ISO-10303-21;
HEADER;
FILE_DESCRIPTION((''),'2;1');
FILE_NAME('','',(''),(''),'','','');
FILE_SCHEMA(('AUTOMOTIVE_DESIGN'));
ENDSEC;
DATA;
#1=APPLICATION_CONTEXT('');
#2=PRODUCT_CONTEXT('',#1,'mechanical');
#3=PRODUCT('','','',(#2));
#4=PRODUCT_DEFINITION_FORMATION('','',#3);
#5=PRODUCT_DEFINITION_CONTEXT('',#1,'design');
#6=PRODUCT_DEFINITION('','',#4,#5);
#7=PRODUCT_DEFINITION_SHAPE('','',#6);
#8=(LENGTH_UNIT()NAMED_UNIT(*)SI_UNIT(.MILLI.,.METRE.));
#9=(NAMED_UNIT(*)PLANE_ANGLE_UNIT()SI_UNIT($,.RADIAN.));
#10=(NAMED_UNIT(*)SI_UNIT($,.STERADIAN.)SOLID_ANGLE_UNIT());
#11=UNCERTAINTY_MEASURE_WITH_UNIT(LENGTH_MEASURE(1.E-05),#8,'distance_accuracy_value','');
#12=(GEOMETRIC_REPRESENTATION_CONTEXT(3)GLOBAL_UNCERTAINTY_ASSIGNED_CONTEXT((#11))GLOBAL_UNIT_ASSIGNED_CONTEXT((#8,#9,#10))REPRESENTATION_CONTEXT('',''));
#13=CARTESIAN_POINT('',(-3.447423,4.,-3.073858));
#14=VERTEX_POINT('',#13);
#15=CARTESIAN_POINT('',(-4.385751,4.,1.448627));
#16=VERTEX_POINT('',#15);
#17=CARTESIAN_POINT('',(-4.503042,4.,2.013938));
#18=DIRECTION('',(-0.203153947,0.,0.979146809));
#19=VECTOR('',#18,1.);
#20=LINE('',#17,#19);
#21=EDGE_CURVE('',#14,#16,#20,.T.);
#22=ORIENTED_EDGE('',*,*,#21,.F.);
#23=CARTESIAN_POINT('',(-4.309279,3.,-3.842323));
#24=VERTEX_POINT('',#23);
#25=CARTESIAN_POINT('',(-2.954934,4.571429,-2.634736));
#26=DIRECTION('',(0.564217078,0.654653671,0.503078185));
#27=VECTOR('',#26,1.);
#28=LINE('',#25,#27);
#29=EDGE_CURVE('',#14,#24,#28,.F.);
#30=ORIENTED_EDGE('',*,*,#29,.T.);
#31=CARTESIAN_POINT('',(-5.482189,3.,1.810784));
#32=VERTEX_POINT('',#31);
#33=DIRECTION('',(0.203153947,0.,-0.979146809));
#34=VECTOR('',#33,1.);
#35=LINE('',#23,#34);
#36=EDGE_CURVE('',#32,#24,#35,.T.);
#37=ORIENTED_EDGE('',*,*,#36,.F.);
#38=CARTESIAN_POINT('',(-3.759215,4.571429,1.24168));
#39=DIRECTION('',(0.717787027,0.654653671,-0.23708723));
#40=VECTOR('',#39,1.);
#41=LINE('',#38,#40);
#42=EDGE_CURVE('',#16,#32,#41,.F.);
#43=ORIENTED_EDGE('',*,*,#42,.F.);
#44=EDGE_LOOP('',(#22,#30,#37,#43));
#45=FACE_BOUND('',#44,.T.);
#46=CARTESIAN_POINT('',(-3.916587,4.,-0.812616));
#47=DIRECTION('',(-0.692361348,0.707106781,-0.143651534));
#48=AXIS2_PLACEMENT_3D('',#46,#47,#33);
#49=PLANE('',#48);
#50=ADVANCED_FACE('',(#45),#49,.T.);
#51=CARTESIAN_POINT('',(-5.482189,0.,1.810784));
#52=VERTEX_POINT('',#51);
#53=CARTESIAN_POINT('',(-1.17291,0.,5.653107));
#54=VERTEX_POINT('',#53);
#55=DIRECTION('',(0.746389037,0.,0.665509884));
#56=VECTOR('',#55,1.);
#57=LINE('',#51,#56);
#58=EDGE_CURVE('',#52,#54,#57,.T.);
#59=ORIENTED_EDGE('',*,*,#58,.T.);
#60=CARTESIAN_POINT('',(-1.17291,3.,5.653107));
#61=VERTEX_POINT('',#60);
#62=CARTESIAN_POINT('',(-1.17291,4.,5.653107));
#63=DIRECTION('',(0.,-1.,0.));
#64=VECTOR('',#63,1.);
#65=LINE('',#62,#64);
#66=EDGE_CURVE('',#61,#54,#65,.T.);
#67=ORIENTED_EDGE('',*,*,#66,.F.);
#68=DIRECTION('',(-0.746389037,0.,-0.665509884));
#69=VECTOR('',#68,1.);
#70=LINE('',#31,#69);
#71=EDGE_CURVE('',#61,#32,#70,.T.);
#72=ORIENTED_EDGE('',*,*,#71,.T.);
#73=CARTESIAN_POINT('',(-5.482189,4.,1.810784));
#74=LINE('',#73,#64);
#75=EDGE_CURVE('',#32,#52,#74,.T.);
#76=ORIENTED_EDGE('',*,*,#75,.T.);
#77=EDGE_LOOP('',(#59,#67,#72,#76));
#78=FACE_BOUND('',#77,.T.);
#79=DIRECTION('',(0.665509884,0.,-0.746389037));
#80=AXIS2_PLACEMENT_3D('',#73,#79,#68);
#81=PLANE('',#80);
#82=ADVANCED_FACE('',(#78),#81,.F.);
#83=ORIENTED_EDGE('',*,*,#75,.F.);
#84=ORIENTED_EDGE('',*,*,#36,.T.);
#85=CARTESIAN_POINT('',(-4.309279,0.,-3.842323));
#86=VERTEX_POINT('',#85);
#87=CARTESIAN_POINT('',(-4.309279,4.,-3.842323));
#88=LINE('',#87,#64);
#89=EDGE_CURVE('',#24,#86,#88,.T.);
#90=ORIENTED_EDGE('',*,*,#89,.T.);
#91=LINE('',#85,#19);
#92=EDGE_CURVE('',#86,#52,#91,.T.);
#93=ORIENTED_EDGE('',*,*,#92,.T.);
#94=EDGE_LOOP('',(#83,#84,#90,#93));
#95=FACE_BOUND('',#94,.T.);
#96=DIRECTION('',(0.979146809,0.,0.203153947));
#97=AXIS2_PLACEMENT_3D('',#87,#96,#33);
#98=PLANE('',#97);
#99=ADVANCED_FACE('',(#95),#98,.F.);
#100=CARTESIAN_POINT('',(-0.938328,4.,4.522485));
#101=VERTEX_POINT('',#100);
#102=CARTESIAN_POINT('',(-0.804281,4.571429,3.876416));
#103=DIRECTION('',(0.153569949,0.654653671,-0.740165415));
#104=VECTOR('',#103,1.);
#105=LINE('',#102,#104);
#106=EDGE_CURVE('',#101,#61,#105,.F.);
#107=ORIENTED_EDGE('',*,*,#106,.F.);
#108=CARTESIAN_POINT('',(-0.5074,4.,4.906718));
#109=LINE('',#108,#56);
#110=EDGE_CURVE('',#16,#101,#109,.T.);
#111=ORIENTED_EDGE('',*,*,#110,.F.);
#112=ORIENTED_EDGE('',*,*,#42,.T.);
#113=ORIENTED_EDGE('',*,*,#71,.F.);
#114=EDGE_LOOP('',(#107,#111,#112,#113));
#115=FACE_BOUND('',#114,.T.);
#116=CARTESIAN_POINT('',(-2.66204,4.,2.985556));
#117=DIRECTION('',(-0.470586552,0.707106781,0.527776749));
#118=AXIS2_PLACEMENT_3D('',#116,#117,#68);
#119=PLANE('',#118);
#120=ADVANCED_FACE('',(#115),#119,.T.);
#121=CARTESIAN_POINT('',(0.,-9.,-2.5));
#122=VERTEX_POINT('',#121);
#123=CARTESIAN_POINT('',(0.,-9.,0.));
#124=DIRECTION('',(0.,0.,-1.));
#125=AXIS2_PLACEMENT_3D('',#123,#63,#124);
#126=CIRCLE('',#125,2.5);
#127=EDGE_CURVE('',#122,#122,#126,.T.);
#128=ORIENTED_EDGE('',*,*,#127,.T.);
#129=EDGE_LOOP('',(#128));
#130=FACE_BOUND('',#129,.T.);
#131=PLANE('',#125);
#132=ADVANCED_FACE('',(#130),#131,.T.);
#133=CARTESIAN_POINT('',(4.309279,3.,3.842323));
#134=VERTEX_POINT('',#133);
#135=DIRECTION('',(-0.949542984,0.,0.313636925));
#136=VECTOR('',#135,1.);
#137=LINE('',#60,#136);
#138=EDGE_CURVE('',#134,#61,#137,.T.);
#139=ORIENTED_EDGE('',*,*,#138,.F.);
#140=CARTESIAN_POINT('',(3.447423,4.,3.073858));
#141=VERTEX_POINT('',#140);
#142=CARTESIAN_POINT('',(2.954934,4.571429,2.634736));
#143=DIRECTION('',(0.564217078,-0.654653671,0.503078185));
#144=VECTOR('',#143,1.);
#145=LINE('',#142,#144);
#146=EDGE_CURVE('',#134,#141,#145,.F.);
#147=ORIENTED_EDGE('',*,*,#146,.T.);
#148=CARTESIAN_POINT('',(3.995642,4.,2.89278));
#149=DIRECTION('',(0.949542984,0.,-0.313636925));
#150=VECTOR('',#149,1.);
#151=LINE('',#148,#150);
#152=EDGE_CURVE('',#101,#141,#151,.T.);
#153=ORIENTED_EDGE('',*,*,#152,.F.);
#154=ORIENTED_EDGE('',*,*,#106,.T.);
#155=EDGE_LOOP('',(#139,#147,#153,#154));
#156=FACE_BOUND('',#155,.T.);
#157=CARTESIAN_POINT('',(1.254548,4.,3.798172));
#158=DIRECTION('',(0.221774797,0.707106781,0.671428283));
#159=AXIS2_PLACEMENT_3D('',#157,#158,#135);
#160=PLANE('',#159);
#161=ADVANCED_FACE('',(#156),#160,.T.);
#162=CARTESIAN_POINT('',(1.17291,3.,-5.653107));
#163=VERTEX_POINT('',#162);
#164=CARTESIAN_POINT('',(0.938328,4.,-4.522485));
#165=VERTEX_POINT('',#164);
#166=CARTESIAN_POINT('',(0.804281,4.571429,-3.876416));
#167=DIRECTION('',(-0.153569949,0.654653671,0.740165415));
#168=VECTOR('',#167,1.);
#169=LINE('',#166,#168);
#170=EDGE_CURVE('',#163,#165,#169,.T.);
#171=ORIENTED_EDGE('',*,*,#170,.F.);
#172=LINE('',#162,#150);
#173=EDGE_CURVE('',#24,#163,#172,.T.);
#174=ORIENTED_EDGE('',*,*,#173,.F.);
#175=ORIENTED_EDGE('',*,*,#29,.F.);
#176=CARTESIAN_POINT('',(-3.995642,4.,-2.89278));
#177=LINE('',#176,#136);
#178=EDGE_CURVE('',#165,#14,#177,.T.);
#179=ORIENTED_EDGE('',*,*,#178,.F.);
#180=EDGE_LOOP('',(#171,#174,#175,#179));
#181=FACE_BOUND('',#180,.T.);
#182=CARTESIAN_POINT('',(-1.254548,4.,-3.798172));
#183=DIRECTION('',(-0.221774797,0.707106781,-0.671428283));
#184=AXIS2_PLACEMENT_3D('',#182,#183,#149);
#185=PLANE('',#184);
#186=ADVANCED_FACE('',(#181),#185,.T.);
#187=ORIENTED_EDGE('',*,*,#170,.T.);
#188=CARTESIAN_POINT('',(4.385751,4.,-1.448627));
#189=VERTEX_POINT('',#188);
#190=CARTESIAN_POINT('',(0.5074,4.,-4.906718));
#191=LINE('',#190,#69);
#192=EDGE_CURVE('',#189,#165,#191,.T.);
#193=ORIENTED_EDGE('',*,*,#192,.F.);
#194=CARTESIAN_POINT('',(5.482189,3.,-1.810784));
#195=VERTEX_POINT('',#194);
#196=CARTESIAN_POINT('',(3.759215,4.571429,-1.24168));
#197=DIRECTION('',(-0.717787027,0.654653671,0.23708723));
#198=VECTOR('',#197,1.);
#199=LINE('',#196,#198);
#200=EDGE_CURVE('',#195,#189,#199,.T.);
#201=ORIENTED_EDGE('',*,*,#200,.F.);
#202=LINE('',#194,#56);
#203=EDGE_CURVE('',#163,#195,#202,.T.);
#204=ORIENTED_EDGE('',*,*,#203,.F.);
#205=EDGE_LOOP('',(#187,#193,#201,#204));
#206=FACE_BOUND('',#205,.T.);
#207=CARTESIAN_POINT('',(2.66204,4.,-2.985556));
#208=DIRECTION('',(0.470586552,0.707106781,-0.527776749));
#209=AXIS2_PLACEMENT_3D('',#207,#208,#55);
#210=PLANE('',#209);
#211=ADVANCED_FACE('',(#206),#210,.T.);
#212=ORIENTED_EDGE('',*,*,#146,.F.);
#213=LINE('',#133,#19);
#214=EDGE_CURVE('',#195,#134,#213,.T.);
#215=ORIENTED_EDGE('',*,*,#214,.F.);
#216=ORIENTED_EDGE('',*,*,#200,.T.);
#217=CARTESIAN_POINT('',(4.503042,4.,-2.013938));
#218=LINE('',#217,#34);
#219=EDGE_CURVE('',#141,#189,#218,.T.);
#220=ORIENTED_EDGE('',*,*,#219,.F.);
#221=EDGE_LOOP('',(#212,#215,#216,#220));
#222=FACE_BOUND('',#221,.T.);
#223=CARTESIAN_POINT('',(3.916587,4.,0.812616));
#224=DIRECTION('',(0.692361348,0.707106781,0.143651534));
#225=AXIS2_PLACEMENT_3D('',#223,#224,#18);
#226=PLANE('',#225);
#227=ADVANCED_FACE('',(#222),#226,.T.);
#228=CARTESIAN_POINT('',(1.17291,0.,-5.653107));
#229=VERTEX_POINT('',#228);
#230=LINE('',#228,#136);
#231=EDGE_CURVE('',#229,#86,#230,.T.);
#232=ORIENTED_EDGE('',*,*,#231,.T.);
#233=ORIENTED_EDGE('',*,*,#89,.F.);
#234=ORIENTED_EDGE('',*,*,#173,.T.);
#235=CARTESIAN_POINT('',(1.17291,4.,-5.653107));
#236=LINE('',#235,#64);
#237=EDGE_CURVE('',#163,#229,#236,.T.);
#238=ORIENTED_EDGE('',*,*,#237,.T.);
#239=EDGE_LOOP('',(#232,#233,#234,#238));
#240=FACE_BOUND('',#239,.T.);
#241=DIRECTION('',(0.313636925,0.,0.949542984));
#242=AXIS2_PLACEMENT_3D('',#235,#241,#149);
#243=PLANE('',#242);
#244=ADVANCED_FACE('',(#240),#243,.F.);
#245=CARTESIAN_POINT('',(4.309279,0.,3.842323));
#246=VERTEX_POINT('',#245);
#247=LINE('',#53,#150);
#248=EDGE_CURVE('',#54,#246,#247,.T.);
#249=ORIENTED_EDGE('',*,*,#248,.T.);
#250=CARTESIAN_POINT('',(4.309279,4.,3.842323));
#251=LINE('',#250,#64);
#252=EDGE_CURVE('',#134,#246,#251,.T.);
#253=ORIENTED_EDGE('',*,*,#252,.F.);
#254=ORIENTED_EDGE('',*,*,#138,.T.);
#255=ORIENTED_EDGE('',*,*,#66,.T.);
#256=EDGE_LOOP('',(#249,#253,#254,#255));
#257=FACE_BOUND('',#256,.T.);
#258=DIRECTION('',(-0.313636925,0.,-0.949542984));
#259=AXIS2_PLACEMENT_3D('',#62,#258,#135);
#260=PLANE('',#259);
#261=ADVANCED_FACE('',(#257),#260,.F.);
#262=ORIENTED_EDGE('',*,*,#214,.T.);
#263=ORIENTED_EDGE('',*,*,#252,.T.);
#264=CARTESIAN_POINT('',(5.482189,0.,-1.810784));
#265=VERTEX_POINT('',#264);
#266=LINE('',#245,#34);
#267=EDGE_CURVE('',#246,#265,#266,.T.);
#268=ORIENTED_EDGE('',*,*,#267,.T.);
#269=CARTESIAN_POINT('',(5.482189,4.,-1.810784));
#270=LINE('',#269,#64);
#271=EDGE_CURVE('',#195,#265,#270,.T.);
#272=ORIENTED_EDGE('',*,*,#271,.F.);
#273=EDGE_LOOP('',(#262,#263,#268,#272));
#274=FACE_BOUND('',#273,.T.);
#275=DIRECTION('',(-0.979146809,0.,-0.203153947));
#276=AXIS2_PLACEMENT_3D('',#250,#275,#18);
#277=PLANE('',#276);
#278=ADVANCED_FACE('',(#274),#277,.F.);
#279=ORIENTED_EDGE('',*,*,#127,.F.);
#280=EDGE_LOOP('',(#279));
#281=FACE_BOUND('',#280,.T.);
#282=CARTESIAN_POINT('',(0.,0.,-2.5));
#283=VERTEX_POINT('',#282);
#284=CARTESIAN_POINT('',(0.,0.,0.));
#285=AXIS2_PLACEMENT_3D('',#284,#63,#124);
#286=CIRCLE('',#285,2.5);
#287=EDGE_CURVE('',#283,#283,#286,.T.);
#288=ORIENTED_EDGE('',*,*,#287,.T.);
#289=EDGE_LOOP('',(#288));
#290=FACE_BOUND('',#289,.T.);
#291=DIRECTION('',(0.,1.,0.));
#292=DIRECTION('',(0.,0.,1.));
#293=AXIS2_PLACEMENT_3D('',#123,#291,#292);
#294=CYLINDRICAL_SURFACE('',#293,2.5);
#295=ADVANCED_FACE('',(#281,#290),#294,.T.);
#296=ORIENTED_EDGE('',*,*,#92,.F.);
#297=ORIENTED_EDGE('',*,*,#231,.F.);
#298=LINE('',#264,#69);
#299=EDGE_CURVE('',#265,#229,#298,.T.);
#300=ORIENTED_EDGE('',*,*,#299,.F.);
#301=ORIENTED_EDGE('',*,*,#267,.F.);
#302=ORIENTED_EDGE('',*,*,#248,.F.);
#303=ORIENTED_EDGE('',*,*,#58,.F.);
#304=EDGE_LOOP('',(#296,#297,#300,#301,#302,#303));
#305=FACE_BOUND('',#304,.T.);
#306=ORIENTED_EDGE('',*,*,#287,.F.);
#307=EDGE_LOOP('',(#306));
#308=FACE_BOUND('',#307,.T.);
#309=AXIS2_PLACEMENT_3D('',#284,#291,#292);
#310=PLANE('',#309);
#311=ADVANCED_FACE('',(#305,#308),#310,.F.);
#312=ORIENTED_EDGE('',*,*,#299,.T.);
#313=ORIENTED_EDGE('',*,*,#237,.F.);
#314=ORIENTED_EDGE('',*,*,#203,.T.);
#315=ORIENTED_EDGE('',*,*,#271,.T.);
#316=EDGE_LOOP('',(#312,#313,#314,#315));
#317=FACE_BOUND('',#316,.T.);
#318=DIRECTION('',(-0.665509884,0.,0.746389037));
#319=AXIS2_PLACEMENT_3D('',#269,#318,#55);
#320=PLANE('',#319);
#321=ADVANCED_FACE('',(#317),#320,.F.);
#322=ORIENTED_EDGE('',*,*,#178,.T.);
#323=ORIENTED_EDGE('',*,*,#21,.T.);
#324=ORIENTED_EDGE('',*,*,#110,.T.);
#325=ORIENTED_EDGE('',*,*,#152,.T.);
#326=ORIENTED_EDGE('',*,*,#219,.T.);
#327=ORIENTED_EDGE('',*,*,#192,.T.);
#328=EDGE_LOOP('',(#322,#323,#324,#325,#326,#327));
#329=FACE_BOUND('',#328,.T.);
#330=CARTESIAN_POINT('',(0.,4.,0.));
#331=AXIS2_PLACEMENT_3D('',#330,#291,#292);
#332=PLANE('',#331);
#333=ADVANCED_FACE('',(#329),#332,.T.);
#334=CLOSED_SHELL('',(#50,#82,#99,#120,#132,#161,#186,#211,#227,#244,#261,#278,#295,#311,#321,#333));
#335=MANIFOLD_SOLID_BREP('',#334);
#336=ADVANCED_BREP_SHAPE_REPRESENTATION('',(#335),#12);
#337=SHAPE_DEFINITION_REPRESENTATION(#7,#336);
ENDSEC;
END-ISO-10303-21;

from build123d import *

# Parameters (mm, degrees)
BOSS_EXTRUDE1_DEPTH = 4
CHAMFER2_SIZE       = 1
SKETCH4_R           = 2.5
BOSS_EXTRUDE3_DEPTH = 9


with BuildPart() as part:
    # Sketch2 → Boss-Extrude1 (new body)
    with BuildSketch(Plane(origin=(0, 0, 0), x_dir=(1, 0, 0), z_dir=(0, 1, 0))):
        Polygon((5.482188976, 1.810783632), (1.172909862, 5.653106738), (-4.309279114, 3.842323106), (-5.482188976, -1.810783632), (-1.172909862, -5.653106738), (4.309279114, -3.842323106), align=None)
    extrude(amount=BOSS_EXTRUDE1_DEPTH)

    # Chamfer2
    chamfer2_edges = [part.edges().sort_by_distance(p)[0] for p in [
        (-1.568184626, 4, -4.747714922),
        (-4.895734045, 4, -1.015769737),
        (-3.327549419, 4, 3.731945185),
        (1.568184626, 4, 4.747714922),
        (4.895734045, 4, 1.015769737),
        (3.327549419, 4, -3.731945185),
    ]]
    chamfer(chamfer2_edges, length=CHAMFER2_SIZE)

    # Sketch4 → Boss-Extrude3 (add)
    with BuildSketch(Plane.XZ):
        Circle(SKETCH4_R)
    extrude(amount=BOSS_EXTRUDE3_DEPTH)


solid = part.part
